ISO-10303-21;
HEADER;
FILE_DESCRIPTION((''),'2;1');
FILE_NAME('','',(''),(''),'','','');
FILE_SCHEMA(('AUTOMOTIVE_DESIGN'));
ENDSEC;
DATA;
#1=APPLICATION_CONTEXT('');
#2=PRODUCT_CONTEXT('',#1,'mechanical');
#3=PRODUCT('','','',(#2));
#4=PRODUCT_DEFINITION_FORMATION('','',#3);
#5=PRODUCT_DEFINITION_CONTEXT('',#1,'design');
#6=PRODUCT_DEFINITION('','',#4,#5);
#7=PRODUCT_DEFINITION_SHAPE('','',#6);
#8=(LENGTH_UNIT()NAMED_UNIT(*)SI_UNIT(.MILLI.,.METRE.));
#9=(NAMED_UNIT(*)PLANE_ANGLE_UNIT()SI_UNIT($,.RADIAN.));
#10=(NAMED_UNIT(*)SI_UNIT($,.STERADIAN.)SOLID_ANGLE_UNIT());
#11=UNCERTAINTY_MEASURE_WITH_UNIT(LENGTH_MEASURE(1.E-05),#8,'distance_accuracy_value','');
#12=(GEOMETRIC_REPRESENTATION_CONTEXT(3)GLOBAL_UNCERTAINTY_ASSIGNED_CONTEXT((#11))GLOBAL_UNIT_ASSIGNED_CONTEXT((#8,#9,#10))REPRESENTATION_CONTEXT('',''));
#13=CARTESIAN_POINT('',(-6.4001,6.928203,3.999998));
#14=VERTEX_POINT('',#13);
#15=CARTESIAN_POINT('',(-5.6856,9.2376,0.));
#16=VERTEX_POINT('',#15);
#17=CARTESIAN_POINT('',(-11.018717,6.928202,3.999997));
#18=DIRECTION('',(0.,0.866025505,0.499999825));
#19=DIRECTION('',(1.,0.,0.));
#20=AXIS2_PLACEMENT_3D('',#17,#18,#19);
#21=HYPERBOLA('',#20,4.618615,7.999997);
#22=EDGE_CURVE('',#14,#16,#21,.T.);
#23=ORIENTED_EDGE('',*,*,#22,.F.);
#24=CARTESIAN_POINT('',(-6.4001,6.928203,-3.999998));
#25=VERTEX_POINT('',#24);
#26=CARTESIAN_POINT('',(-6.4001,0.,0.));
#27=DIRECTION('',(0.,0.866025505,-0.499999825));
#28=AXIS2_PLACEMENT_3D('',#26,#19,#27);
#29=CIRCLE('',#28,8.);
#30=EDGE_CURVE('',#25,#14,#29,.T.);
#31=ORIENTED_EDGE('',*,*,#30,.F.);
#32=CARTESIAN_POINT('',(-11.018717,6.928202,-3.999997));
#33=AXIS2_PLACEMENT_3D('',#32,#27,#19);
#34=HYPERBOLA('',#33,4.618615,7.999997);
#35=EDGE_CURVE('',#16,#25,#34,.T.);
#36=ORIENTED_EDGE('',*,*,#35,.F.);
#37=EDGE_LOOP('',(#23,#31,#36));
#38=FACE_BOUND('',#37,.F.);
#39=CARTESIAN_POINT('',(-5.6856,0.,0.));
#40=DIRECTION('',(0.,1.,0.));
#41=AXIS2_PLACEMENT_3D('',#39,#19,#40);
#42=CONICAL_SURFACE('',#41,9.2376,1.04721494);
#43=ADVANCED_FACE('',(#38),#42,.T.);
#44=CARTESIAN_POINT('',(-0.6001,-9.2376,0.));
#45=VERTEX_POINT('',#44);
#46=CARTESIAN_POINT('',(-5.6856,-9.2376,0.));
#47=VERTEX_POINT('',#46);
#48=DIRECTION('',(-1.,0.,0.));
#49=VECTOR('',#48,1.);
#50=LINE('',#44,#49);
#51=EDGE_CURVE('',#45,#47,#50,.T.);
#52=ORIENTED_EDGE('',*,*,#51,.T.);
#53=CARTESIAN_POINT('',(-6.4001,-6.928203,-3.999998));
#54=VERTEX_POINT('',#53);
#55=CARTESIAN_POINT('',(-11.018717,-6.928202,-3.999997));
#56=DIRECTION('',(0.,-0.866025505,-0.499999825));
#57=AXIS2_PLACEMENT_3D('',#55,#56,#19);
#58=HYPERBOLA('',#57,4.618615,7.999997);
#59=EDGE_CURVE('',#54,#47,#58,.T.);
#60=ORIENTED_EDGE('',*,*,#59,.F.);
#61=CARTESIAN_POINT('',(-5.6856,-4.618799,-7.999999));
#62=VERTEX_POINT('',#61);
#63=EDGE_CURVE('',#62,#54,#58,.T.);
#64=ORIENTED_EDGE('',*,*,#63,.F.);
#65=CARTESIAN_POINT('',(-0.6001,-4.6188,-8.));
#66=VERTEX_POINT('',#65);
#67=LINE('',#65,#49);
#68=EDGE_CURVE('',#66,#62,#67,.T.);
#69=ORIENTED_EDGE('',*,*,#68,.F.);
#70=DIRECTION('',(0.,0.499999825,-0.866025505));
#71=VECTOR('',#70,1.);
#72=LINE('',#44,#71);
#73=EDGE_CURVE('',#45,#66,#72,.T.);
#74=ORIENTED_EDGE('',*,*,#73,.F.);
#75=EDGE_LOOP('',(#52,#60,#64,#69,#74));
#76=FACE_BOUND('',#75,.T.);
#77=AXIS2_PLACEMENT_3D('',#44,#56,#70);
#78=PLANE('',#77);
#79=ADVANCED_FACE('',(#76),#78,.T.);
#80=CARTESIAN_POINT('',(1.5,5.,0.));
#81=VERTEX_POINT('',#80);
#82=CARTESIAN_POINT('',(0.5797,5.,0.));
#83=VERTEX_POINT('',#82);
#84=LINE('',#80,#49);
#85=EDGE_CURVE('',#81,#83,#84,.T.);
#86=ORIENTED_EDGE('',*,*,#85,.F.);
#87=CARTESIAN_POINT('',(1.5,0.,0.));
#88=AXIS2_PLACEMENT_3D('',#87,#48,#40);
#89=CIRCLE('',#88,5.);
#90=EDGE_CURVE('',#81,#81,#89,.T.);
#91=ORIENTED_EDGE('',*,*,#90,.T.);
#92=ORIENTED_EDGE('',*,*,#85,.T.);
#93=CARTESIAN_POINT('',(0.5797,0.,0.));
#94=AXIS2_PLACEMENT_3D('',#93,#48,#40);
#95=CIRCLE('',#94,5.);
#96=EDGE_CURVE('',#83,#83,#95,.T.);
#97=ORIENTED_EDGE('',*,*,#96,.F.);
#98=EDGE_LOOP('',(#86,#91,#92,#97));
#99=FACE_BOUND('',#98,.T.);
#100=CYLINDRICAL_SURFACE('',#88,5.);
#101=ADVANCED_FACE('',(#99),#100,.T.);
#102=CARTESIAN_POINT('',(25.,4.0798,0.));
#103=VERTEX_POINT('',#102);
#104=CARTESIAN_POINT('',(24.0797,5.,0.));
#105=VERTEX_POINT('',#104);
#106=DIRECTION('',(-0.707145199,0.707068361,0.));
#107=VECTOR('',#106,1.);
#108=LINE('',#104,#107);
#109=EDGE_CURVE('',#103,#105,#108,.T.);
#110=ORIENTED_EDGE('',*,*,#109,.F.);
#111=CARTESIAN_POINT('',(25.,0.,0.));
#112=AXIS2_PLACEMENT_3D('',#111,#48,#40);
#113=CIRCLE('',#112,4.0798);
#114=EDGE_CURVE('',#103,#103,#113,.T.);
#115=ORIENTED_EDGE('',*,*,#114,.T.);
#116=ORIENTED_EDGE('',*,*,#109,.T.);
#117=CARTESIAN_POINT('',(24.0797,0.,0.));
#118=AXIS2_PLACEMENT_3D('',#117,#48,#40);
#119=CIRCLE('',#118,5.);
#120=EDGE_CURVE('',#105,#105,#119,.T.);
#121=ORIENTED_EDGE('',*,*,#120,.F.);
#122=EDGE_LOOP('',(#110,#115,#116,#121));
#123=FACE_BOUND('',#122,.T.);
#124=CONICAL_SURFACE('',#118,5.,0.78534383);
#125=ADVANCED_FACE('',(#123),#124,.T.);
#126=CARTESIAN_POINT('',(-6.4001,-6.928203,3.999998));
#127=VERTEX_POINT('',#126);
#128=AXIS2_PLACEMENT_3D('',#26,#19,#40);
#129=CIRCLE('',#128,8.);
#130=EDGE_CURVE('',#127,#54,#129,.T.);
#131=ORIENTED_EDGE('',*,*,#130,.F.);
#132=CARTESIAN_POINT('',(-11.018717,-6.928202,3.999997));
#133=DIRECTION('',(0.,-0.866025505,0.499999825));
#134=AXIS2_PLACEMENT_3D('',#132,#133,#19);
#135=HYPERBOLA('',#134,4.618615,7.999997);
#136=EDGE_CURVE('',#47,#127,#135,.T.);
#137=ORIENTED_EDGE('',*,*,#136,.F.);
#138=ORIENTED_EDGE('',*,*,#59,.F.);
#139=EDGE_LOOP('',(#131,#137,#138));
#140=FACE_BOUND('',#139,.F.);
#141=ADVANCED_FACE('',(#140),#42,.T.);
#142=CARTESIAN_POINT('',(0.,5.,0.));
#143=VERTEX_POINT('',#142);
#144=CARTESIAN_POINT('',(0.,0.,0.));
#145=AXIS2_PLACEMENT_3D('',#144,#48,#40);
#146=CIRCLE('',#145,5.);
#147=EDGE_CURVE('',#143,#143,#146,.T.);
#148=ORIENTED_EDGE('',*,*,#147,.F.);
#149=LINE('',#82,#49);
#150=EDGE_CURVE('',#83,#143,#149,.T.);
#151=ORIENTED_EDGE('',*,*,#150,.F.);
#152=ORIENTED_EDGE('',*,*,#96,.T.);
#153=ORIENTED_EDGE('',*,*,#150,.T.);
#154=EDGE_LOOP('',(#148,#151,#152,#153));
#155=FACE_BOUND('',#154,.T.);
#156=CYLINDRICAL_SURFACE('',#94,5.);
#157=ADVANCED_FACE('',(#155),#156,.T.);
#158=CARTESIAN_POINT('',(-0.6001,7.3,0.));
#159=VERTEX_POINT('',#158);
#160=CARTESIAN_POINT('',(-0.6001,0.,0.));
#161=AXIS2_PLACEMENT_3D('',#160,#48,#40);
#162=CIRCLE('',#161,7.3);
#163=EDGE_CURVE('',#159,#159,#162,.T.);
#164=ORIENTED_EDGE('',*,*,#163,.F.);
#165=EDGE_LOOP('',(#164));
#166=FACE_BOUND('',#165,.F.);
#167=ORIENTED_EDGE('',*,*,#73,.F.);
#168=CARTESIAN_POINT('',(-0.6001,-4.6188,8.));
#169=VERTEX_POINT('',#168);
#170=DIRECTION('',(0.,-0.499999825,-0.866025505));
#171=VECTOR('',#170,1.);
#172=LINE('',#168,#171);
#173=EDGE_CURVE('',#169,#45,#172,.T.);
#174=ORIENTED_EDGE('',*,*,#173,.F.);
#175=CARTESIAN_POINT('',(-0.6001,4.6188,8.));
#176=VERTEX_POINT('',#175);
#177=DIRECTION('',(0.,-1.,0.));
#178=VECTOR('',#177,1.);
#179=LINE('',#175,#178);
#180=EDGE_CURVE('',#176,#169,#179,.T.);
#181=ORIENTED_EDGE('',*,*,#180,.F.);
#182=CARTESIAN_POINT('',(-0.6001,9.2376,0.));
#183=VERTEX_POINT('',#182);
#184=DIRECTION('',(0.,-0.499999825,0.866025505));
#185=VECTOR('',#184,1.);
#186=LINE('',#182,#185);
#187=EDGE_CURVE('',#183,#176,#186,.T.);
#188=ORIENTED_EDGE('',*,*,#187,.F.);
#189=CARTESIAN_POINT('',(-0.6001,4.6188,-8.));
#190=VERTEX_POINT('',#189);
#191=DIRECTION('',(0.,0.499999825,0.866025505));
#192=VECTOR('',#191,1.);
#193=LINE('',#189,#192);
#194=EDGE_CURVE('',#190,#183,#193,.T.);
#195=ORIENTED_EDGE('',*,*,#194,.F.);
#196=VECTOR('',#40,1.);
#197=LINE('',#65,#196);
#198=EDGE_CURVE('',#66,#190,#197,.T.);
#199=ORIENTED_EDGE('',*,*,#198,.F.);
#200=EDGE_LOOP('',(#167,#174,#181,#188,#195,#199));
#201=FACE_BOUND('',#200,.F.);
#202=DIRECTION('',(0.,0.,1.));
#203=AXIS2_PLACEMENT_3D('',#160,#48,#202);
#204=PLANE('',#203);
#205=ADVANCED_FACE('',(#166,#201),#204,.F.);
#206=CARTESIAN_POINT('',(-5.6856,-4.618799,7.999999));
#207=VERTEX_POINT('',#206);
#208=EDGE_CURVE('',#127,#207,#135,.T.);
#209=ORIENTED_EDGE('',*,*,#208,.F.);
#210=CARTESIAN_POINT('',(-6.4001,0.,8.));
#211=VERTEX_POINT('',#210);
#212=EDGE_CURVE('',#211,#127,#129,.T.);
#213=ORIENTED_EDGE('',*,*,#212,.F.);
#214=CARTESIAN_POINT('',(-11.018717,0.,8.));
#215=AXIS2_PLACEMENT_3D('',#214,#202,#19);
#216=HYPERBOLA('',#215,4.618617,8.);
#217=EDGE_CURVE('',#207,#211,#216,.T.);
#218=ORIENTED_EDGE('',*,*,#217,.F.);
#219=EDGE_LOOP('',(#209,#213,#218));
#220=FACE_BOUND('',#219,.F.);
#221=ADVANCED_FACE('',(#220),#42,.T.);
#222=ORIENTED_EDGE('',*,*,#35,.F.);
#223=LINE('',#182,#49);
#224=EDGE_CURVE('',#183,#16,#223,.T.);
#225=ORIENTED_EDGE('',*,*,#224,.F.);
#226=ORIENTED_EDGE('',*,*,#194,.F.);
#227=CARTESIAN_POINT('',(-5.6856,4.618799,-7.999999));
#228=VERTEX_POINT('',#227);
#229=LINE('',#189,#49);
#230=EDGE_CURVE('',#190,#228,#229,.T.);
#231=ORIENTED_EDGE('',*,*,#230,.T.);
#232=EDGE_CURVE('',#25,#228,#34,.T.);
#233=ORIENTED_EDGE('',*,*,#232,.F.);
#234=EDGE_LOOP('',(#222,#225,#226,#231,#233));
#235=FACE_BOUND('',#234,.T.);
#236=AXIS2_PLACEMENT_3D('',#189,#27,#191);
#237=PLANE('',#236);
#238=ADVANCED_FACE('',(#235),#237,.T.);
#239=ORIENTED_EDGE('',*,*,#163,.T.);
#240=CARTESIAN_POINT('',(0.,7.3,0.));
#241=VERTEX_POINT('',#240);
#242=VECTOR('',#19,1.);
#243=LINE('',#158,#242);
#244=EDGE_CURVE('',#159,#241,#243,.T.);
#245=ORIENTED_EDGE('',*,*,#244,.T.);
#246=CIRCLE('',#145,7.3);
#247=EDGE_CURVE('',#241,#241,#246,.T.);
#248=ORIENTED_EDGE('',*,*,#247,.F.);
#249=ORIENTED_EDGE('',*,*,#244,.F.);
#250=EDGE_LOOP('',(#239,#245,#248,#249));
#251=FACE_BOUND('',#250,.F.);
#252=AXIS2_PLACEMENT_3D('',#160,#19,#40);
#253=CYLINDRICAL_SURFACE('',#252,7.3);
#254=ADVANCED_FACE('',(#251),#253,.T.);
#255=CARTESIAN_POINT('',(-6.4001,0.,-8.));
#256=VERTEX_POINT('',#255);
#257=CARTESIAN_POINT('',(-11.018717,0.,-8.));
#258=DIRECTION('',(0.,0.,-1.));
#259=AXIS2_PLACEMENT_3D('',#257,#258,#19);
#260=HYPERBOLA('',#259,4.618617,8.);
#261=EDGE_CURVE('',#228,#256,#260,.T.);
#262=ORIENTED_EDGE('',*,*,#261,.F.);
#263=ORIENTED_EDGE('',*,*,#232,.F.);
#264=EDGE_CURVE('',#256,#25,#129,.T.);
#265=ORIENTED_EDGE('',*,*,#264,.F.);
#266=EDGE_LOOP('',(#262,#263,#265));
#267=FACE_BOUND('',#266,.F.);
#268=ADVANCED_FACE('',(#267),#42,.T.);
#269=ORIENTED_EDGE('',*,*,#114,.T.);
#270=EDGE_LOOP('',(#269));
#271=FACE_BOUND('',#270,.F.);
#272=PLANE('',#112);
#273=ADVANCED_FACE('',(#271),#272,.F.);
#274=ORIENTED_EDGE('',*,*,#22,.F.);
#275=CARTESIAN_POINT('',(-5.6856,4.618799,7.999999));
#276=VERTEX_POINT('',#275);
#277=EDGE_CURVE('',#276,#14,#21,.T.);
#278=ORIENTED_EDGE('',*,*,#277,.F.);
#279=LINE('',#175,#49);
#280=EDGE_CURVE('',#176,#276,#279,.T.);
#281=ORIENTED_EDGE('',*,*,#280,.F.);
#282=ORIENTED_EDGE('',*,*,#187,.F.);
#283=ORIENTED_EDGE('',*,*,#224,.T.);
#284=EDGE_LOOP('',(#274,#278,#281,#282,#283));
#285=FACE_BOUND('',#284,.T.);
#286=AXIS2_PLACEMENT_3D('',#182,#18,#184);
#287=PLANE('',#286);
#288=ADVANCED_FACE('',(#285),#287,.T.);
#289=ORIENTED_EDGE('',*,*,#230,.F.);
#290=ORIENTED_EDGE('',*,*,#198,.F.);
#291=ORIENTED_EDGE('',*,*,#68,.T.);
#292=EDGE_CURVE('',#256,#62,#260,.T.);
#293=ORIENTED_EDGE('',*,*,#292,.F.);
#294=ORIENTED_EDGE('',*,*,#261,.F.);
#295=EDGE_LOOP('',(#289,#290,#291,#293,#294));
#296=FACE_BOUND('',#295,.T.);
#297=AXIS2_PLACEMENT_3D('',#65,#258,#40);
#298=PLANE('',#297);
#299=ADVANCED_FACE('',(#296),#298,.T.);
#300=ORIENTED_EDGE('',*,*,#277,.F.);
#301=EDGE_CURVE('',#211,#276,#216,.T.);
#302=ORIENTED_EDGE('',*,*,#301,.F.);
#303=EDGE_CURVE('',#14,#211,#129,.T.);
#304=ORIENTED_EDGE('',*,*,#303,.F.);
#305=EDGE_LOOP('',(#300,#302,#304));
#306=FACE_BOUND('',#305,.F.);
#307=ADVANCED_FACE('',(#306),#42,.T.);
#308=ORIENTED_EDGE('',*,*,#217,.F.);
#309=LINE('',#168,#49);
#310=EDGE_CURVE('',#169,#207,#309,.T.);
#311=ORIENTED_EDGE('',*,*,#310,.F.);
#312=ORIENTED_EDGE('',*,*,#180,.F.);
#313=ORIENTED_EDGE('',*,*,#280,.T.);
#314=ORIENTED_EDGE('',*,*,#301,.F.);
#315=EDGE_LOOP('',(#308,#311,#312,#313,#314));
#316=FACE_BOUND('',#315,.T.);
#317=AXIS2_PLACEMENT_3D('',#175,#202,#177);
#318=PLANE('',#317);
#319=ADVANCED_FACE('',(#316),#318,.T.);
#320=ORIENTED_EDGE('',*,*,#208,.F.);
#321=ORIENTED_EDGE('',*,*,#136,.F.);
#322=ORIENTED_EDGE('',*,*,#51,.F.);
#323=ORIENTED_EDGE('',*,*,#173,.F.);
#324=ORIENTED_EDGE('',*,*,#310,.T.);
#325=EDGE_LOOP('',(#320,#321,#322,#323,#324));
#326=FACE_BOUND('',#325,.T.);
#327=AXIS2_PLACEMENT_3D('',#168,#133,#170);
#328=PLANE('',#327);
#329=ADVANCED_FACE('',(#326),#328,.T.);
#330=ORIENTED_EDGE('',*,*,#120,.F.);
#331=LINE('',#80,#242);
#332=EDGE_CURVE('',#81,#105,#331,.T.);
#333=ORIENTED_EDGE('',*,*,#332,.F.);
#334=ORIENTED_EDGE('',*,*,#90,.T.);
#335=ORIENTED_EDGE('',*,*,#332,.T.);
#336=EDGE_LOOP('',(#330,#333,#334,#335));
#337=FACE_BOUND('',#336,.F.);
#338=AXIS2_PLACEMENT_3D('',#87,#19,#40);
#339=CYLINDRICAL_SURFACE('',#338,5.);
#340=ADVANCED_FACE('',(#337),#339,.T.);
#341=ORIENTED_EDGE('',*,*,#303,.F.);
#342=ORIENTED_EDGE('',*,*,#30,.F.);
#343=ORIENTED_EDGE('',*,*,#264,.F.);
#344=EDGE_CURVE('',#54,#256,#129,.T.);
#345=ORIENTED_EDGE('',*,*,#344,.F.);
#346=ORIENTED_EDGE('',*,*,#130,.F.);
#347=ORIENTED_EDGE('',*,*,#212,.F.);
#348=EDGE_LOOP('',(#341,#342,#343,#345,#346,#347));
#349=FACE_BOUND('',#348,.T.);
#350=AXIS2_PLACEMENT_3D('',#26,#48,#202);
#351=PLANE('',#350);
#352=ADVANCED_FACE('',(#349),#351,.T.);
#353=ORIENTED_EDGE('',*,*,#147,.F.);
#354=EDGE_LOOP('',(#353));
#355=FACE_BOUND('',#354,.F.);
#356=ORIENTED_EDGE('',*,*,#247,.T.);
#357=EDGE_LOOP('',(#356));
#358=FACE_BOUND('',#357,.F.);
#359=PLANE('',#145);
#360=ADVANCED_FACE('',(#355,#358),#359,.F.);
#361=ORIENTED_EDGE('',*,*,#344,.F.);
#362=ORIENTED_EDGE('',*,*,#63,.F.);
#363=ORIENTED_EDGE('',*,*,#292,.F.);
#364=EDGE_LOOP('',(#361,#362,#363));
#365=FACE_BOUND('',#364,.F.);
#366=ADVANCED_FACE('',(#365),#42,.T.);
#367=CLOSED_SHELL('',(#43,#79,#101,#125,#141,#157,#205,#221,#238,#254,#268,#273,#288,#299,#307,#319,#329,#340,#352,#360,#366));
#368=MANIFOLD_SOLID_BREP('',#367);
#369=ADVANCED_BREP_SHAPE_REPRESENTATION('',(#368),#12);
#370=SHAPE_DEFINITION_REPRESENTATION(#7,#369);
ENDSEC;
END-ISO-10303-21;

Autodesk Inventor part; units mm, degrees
ref_plane "YZ Plane" through (0, 0, 0) normal (1, 0, 0) x (0, 1, 0)
ref_plane "XZ Plane" through (0, 0, 0) normal (0, 1, 0) x (-1, 0, 0)
sketch "草图1" plane through (0, 0, 0) normal (0, 0, 1) x (1, 0, 0)
  line L0 (0, 7.3) -> (0, 5)
  line L1 (1.5, 5) -> (25, 5)
  line L2 (25, 5) -> (25, 0)
  line L3 (25, 0) -> (-0.6001, 0)
  line L4 (-5.7201, 0) -> (30.12, 0) projected
  line L5 (-0.6001, 0) -> (-0.6001, 7.3)
  line L6 (-0.6001, 7.3) -> (0, 7.3)
  line L7 (1.5, 5) -> (0.5797, 5)
  line L8 (0.5797, 5) -> (0, 5)
  line L9 (0, -1.46) -> (0, 8.76) projected
  dimension "d0" = 25
  dimension "d1" = 23.5
  dimension "d2" = 10
  dimension "d9" = 0.6001
  dimension "d10" = 14.6
  dimension "d13" = 0.9203
  dimension "d14" = 10
revolve "轴承体" add sketch "草图1" angle 360 about axis through (25, 0, 0) along (-1, 0, 0)
sketch "草图2" plane through (-0.6001, 0, 0) normal (-1, 0, 0) x (0, 0, 1)
  line L0 (0, 9.2376) -> (8, 4.6188)
  line L1 (8, 4.6188) -> (8, -4.6188)
  line L2 (8, -4.6188) -> (0, -9.2376)
  line L3 (0, -9.2376) -> (-8, -4.6188)
  line L4 (-8, -4.6188) -> (-8, 4.6188)
  line L5 (-8, 4.6188) -> (0, 9.2376)
  point P0 (0, 0)
  point P1 (0, 0)
  dimension "d11" = 16
extrude "头" add sketch "草图2" along normal blind 5.8
sketch "草图4" plane through (0, 0, 0) normal (0, 0, 1) x (1, 0, 0)
  line L0 (-6.4001, 8) -> (-6.4001, 9.2376)
  line L1 (-6.4001, 9.2376) -> (-5.6856, 9.2376)
  line L2 (-5.6856, 9.2376) -> (-6.4001, 8)
  line L3 (-7.5601, 0) -> (0.5599, 0) projected
  line L4 (-0.6001, 9.2376) -> (-6.4001, 9.2376) projected
  line L5 (-6.4001, 4.6188) -> (-6.4001, 9.2376) projected
  dimension "d5" = 30
  dimension "d19" = 16
revolve "倒角1" cut sketch "草图4" angle 360 about axis through (-10, 0, 0) along (1, 0, 0)
thread "螺纹" size "M10x1.5" designation "M10" class "6g" standard "GB Metric profile" length 23.5
chamfer "倒角2" distance 0.9202 distance2 0.9203 1 edges at (25, -5, 0) measured on face at (25, 1.974, 0.2121)
ref_plane "Work Plane1" through (1.525, 0, 0) normal (0, 0, 1) x (1, 0, 0)
equation "\"d11\" = SW"
equation "\"d3\" = KOH - SD"
equation "\"d15\" = GEL"
equation "\"d6\" = -0.5 * SPD + 0.5 * GD"
equation "\"d0\" = NLG"
equation "\"d1\" = GEL"
equation "\"d2\" = GD"
equation "\"d10\" = SD2"
equation "\"d14\" = BDM"
equation "\"d5\" = ANG1"
equation "\"d19\" = SW0"
equation "\"NLG\" = 25"
equation "\"GD\" = NND"
equation "\"BDM\" = NND"
equation "\"KOH\" = 6.4"
equation "\"GEL\" = 23.5"
equation "\"SW\" = 16"
equation "\"SW0\" = SW"
equation "\"SPD\" = NND - 1.2269 * PTC"
equation "\"SD2\" = SDH"
equation "\"SD\" = WFT"
equation "\"ANG1\" = 30deg"
equation "\"GAL\" = 0.61345 * PTC"
equation "\"GUL\" = 0.61345 * PTC"
equation "\"RR\" = 0.4"
equation "\"WFT\" = 0.6"
equation "\"GD1\" = THREADDIA - 1.2269 * PTC"
equation "\"SDH\" = 14.6"
equation "\"TOA\" = 30deg"
equation "\"FAWI\" = 45deg"
equation "\"PTC\" = 1.5"
equation "\"E0\" = 1.155 * SW"
equation "\"NND\" = 10"
equation "\"THREADDIA\" = 10"
properties part number "螺栓 GB/T 5783 M10 x 25" material "钢，软"
